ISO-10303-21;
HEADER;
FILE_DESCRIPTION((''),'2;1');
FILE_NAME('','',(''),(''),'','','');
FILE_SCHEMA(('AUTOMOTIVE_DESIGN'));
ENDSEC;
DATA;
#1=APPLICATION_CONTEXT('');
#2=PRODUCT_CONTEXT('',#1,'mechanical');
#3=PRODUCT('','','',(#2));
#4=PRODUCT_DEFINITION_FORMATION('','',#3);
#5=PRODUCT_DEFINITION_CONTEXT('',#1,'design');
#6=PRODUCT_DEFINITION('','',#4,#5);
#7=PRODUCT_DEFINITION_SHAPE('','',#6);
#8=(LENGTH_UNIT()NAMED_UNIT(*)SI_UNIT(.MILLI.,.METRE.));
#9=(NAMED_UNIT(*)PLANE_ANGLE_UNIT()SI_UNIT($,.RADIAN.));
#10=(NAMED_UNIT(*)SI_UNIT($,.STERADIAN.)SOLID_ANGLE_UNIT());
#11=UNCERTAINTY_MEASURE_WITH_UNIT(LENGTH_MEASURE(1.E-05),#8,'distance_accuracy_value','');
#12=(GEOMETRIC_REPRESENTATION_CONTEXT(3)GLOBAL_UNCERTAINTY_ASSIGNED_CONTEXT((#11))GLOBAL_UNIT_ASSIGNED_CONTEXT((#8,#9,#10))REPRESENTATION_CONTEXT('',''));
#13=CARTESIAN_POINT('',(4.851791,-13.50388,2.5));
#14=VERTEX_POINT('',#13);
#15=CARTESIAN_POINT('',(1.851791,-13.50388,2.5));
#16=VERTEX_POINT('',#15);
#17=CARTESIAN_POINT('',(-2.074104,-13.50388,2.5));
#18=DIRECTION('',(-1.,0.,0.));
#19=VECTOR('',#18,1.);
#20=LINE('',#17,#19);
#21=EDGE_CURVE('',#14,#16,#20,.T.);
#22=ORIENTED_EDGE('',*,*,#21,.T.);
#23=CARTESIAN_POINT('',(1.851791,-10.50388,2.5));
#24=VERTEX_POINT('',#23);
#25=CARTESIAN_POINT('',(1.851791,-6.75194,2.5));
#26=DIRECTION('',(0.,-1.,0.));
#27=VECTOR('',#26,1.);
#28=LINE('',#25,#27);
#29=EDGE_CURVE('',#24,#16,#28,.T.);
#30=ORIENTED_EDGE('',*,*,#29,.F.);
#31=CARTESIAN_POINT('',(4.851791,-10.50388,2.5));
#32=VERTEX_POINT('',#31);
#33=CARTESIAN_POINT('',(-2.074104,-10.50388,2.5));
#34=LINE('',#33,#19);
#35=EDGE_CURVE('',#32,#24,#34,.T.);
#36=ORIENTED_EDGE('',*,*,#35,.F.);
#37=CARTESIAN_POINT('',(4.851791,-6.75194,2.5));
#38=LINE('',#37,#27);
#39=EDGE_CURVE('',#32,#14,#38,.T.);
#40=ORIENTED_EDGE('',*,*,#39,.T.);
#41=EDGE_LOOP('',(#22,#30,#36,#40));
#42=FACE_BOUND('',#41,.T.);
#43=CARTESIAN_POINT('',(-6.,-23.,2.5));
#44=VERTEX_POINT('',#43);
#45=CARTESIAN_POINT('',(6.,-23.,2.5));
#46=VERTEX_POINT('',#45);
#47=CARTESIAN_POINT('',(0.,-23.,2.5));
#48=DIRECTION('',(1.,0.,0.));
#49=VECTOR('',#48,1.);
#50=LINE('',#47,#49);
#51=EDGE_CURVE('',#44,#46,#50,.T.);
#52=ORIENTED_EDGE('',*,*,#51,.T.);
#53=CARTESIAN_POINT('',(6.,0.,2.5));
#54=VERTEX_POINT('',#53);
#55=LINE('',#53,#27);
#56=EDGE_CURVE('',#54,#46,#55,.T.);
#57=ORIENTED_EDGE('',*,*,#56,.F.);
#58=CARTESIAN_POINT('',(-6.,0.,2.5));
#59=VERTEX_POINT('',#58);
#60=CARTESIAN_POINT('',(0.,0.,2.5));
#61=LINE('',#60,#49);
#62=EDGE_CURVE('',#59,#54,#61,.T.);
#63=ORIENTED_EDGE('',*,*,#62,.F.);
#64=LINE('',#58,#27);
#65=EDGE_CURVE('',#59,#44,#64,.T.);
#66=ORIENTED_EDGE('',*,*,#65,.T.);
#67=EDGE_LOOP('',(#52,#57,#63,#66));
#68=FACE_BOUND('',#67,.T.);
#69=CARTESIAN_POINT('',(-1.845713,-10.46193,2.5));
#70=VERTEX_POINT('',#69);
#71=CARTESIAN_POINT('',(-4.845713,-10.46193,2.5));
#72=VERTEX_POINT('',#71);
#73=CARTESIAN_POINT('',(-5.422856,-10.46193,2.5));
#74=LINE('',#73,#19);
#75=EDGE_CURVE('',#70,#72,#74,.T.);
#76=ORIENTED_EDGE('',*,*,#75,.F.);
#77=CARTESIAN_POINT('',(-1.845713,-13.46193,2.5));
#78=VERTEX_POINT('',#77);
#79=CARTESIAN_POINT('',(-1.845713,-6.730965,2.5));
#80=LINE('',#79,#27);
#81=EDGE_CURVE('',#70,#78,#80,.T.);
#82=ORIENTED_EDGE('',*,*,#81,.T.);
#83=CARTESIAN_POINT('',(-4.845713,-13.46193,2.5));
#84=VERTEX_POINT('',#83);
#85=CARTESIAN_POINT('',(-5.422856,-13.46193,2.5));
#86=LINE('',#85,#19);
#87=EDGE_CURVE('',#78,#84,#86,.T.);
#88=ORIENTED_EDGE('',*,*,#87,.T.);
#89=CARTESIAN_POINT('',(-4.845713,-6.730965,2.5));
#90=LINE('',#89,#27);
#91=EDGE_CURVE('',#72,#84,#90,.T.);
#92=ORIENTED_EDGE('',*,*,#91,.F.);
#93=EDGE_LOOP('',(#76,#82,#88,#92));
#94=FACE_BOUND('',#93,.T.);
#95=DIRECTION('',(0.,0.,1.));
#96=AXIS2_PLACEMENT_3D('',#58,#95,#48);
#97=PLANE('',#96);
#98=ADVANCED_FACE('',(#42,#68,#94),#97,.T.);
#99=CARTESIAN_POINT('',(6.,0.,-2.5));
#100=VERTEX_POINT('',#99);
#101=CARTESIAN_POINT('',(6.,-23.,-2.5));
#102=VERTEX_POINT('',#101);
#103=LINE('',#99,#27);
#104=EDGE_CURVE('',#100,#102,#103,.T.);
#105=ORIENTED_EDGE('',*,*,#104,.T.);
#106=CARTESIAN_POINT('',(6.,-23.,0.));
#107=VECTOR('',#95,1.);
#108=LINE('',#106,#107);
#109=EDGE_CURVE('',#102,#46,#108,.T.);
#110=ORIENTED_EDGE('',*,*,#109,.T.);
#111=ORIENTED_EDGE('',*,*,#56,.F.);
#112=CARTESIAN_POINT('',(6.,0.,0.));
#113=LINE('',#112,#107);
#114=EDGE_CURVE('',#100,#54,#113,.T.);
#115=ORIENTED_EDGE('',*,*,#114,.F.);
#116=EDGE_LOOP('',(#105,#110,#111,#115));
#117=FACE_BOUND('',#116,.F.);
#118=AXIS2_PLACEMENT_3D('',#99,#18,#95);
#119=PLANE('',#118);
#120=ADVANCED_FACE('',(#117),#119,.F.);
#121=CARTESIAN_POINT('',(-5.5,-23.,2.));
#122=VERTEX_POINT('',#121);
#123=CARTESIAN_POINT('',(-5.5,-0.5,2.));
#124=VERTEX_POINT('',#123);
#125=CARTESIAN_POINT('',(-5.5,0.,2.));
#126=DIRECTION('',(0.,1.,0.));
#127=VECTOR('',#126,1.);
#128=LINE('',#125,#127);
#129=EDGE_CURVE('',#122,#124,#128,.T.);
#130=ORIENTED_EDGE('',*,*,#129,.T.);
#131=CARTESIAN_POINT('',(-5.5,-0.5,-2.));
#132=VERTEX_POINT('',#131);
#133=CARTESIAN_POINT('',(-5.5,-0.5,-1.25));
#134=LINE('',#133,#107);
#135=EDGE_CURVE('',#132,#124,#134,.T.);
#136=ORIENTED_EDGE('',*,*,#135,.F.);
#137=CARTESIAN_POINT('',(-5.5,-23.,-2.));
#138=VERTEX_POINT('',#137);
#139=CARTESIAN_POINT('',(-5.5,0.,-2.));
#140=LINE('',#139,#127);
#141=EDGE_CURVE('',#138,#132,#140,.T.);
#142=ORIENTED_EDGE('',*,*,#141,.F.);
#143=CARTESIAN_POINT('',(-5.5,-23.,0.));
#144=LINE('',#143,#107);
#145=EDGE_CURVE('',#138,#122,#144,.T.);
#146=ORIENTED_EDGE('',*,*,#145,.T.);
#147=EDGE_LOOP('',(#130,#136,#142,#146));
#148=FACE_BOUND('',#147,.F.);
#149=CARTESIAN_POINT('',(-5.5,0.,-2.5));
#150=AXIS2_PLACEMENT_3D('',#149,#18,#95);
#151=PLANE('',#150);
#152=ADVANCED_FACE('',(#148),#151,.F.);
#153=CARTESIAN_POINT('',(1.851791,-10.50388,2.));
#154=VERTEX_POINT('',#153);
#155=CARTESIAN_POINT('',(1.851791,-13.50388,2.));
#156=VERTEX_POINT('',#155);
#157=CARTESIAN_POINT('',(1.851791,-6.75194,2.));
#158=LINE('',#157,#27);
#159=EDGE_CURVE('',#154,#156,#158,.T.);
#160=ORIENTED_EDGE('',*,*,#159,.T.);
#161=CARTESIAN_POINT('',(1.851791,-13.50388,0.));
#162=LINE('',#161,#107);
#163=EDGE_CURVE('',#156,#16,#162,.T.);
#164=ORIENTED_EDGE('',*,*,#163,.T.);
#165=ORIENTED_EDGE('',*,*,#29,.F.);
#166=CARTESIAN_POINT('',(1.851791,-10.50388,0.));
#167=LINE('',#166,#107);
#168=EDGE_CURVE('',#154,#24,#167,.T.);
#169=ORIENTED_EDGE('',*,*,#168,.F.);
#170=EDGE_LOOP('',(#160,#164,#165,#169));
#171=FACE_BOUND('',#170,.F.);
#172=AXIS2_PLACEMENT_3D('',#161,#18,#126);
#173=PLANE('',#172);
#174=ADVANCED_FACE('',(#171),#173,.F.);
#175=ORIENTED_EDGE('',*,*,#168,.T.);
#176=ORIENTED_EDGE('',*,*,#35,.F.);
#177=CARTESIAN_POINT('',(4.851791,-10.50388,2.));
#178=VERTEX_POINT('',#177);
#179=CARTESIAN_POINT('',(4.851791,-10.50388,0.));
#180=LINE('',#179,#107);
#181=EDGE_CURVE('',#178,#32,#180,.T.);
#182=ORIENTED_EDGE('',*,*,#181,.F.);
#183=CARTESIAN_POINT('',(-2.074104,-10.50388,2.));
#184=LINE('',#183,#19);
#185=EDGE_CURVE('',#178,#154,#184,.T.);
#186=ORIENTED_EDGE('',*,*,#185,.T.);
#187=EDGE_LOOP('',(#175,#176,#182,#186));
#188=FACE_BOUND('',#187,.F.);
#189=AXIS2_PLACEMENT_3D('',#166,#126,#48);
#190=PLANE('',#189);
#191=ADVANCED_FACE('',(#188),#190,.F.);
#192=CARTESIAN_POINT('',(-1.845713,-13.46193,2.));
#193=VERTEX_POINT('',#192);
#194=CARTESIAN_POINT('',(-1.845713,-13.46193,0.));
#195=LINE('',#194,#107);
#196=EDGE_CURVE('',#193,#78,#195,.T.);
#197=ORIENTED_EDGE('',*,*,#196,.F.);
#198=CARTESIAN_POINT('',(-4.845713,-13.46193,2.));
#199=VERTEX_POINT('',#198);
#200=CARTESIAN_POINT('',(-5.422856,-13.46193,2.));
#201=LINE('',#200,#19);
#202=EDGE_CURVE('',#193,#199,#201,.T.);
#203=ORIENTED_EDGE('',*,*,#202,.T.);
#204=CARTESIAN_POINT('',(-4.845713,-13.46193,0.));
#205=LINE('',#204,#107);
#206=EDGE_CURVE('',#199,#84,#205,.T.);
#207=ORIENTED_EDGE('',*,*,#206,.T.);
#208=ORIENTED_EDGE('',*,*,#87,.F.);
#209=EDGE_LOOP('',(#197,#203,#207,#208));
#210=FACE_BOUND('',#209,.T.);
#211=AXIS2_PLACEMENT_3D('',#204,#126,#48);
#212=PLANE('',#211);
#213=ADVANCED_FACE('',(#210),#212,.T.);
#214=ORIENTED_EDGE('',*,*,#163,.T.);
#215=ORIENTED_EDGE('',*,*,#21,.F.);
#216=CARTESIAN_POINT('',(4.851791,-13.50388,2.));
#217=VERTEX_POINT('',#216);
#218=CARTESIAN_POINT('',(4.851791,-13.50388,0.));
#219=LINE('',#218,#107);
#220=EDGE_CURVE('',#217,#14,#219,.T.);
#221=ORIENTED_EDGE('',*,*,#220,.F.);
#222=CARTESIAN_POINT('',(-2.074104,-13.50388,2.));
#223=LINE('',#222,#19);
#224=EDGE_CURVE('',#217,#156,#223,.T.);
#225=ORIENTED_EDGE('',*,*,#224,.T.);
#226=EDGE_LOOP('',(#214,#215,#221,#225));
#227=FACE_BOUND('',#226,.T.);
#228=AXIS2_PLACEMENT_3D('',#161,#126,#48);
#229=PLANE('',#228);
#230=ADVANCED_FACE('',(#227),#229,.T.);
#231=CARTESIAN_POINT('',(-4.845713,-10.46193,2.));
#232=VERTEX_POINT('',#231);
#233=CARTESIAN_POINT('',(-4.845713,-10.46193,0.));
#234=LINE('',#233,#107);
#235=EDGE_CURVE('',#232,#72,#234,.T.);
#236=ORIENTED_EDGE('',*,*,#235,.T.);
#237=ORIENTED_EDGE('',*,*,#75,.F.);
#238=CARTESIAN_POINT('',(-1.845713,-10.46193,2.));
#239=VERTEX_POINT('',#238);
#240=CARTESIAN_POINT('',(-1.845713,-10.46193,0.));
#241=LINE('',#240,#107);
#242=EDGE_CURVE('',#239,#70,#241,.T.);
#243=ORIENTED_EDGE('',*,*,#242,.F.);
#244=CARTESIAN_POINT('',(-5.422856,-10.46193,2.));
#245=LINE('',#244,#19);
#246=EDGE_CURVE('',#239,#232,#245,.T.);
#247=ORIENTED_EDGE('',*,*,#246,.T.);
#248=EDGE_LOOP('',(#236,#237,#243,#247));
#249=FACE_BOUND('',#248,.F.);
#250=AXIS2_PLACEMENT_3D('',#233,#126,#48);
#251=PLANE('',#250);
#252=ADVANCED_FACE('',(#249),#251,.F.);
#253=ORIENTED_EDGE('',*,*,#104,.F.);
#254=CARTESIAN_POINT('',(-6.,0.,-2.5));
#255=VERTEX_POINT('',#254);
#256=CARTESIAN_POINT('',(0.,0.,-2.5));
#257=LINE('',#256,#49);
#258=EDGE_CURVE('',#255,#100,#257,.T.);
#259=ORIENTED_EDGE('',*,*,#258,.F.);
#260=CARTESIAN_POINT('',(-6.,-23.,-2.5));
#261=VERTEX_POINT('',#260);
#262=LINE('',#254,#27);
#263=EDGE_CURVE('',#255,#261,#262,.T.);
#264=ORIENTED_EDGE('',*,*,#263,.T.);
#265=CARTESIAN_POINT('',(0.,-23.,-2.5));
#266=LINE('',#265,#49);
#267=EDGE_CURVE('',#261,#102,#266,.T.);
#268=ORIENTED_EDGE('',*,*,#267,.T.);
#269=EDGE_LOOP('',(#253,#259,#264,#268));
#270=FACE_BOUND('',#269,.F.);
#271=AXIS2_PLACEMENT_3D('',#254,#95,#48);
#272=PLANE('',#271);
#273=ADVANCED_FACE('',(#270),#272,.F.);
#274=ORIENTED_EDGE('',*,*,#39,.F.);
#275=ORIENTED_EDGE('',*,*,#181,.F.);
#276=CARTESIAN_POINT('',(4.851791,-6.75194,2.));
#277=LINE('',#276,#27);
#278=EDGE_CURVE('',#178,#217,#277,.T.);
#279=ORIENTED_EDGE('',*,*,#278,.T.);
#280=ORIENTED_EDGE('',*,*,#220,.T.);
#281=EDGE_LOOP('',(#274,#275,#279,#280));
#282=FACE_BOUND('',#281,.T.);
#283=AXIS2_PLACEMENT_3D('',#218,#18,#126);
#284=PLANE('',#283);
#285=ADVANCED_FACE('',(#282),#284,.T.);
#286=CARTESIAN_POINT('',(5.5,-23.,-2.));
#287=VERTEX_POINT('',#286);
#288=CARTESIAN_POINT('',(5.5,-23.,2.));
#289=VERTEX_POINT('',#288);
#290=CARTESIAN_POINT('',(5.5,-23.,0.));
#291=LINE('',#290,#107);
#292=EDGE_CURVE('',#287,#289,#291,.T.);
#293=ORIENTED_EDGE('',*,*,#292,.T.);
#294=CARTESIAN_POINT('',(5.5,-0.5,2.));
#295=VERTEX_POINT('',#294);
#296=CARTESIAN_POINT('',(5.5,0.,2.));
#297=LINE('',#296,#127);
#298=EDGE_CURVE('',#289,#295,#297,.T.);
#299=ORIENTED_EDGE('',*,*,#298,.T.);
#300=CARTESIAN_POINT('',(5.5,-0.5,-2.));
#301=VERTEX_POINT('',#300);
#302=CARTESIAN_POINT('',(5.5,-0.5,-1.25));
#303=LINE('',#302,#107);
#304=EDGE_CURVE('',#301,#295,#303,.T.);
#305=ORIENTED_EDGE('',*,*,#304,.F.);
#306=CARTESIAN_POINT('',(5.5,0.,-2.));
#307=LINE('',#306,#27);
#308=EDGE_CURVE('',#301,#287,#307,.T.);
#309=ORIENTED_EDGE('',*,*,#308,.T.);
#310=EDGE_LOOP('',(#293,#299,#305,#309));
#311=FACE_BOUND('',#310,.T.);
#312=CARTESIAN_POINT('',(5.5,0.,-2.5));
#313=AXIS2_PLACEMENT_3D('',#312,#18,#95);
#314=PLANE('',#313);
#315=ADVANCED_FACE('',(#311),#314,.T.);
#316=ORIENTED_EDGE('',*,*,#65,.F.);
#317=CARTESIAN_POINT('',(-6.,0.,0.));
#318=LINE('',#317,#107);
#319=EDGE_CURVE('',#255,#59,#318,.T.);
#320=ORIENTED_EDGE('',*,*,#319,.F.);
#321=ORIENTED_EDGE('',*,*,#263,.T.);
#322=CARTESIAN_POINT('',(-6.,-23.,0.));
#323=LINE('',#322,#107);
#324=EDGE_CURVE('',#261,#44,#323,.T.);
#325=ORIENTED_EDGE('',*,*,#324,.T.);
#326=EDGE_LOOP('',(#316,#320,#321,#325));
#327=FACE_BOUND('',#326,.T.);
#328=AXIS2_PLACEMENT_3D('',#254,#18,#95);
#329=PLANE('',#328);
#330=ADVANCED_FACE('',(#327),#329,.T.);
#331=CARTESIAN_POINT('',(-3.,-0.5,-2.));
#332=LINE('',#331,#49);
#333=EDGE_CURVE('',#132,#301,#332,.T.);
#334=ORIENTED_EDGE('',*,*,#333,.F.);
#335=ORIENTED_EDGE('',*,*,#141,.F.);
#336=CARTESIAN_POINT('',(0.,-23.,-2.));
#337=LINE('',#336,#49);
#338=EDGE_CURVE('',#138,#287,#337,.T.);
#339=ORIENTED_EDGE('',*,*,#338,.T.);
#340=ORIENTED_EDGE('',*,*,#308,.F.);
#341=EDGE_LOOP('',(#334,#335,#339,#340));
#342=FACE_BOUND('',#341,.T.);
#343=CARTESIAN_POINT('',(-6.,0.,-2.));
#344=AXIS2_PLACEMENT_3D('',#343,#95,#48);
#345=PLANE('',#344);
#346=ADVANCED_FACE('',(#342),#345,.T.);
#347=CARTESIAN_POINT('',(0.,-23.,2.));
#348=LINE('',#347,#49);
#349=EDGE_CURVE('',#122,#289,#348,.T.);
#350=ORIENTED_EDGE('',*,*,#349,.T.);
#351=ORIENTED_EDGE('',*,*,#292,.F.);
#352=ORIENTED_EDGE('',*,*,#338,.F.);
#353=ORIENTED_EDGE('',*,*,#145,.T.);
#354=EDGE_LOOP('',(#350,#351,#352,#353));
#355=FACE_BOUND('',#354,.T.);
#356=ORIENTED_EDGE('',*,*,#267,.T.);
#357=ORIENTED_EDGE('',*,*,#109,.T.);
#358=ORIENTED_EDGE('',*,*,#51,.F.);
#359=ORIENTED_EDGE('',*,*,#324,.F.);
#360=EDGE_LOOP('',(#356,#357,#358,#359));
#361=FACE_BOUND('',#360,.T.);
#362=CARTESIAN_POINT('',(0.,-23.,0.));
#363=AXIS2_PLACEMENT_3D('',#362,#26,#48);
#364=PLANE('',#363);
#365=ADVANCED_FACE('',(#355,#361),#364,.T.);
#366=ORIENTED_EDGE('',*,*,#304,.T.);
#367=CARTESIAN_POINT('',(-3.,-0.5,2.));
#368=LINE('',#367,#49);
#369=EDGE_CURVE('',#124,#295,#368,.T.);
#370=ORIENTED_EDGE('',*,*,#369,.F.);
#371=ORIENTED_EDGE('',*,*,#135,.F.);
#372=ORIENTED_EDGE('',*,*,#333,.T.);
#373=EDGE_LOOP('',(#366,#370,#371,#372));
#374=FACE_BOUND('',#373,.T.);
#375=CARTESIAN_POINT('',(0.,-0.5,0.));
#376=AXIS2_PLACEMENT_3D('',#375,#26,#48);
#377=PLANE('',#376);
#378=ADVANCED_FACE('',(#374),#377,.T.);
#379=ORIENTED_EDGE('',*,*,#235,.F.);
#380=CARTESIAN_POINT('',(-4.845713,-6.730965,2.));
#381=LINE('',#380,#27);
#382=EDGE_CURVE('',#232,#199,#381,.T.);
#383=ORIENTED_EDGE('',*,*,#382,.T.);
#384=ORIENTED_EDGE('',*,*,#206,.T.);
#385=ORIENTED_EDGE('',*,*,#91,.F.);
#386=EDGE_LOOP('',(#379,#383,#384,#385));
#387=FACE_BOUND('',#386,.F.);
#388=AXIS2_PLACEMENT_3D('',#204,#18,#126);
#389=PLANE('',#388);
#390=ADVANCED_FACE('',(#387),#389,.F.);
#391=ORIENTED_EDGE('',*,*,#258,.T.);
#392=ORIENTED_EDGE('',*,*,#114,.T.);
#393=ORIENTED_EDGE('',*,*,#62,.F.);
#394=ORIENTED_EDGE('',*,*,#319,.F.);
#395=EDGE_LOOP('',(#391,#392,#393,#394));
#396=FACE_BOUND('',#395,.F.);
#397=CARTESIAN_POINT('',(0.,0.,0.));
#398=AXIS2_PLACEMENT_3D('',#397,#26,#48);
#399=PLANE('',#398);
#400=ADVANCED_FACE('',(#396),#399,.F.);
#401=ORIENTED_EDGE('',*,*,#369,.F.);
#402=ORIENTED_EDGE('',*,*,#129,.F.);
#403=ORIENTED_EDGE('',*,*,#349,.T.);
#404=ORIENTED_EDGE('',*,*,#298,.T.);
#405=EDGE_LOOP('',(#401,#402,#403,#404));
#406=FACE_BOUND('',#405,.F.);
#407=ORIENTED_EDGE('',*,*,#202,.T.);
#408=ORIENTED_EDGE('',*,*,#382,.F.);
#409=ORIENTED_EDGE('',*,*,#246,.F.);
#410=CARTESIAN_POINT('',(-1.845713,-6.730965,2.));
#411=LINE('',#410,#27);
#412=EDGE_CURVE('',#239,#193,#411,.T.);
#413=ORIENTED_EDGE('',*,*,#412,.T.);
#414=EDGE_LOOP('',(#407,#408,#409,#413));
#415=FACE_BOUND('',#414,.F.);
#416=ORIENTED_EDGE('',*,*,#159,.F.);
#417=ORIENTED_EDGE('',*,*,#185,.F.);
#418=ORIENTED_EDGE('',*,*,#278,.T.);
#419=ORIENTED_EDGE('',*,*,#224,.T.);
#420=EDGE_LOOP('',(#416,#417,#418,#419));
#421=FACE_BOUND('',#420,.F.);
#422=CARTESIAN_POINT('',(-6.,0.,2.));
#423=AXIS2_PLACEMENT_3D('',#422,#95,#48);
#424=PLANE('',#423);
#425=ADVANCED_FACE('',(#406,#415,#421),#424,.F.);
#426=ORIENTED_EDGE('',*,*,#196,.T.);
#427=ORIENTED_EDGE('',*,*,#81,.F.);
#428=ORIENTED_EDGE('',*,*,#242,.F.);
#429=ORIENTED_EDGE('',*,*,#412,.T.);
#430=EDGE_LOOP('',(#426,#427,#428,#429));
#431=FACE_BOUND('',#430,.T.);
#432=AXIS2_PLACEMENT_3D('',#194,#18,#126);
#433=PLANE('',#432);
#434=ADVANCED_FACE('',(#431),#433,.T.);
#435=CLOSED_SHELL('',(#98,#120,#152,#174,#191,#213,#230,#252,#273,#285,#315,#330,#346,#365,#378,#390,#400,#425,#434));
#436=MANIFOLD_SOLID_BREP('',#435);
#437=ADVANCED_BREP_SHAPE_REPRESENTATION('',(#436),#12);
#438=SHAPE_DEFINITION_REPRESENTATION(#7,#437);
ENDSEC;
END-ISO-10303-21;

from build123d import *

# Parameters (mm, degrees)
F0_W     = 12
F0_H     = 5
F1_DEPTH = 23
F2_T     = -0.5
F3_W     = 3
F3_H     = 3
F4_DEPTH = 4.2
F5_W     = 3
F5_H     = 3
F6_DEPTH = 6.2


with BuildPart() as f1:
    # F0 (on Front) → F1 (new body)
    with BuildSketch(Plane.XZ):
        Rectangle(F0_W, F0_H)
    extrude(amount=F1_DEPTH)

    # F2
    f2_openings = [f1.faces().sort_by_distance(p)[0] for p in [
        (0, -23, 0),
    ]]
    offset(amount=F2_T, openings=f2_openings)

    # F3 (on Top) → F4 (cut)
    with BuildSketch(Plane.XY):
        with Locations((-3.345713, -11.96193)):
            Rectangle(F3_W, F3_H)
    extrude(amount=F4_DEPTH, mode=Mode.SUBTRACT)

    # F5 (on Top) → F6 (cut)
    with BuildSketch(Plane.XY):
        with Locations((3.351791, -12.00388)):
            Rectangle(F5_W, F5_H)
    extrude(amount=F6_DEPTH, mode=Mode.SUBTRACT)


solid = f1.part
